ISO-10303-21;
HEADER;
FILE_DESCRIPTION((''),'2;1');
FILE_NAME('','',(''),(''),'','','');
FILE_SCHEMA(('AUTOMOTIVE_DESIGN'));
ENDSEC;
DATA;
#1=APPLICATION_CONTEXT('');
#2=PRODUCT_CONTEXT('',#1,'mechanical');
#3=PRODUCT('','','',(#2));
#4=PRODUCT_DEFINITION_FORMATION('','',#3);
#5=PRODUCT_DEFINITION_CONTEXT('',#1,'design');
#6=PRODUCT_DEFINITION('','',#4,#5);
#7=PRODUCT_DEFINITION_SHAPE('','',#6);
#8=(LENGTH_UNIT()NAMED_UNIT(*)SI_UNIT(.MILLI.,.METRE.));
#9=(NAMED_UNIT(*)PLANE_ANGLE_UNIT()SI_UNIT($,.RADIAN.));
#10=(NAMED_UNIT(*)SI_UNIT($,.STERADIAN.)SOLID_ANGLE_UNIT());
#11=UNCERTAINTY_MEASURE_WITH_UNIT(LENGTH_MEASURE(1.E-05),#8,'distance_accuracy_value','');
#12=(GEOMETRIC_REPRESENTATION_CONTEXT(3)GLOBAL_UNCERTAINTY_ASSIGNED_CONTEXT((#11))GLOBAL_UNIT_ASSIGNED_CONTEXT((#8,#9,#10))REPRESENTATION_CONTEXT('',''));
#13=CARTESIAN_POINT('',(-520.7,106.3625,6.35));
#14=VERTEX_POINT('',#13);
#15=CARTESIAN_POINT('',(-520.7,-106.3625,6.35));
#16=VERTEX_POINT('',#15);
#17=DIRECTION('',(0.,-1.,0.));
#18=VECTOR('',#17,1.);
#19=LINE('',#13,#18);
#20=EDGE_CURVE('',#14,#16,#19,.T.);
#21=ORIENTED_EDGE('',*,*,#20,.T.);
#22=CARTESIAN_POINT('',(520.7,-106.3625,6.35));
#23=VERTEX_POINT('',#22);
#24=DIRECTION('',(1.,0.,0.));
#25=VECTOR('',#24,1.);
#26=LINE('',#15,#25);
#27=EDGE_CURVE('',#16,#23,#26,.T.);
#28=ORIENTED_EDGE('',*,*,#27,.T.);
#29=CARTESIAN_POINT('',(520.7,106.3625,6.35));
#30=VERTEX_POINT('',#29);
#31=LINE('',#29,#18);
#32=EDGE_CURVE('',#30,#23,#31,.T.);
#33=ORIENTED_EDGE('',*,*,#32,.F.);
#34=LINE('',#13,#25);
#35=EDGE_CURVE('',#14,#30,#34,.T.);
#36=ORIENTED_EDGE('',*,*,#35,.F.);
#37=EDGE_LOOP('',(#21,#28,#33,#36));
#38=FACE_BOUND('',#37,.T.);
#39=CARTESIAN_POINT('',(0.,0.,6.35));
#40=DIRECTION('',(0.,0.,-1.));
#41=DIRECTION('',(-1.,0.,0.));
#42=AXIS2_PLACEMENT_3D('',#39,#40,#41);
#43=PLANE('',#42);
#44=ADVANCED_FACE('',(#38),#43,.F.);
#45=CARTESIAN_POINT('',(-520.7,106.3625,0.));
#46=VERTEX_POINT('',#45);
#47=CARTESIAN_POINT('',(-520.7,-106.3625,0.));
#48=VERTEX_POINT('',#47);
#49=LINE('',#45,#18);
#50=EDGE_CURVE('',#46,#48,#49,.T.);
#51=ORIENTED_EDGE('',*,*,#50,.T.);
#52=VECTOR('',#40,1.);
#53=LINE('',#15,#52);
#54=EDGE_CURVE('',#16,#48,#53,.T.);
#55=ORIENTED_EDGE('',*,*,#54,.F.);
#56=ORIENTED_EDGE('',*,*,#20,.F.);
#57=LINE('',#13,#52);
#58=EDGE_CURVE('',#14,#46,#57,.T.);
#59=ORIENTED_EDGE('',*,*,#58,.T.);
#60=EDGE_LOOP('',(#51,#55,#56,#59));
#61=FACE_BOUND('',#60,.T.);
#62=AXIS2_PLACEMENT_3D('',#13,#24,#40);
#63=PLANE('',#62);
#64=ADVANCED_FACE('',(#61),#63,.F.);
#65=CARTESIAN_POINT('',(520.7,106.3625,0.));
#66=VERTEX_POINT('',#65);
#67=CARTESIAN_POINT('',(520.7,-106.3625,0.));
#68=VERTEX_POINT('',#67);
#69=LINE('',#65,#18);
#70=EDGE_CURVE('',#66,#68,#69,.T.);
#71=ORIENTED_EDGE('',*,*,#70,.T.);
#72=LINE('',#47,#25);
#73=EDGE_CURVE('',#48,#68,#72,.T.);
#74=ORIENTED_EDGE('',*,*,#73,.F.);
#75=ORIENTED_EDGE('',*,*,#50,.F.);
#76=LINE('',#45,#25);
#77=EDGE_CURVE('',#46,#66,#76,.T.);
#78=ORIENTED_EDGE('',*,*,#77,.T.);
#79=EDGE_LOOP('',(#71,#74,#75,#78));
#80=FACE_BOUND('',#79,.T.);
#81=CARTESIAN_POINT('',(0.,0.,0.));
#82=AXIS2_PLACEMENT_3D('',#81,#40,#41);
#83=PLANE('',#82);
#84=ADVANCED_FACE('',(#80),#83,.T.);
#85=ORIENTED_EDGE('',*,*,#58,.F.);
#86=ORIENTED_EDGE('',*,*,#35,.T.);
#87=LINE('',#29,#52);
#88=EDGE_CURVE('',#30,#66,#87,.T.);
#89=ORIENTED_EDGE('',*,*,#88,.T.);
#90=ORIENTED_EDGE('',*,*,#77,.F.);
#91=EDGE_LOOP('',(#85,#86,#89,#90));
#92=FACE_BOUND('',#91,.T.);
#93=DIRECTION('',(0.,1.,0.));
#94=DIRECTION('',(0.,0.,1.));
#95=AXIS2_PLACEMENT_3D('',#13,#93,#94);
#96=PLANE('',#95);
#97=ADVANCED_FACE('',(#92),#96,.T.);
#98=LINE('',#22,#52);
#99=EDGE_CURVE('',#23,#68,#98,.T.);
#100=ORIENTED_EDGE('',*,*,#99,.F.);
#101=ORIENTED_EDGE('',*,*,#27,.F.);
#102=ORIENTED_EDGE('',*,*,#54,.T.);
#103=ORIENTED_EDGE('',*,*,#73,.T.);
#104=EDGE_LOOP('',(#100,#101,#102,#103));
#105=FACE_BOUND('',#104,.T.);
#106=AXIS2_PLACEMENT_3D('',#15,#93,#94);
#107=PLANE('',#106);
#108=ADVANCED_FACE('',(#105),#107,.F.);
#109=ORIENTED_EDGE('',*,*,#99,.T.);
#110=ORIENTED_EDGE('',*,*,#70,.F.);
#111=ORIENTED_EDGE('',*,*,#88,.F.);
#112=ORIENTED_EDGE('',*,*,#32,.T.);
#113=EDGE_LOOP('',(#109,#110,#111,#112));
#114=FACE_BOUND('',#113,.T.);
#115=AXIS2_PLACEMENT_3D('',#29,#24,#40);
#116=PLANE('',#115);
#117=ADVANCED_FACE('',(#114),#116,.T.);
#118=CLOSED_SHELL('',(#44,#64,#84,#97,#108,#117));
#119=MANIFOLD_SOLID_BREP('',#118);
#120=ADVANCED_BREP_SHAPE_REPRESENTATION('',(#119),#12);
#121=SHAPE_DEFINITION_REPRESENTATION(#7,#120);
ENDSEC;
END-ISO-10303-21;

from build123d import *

# Parameters (mm, degrees)
SKETCH1_W           = 1041.4
SKETCH1_H           = 212.725
BOSS_EXTRUDE1_DEPTH = 6.35


with BuildPart() as part:
    # Sketch1 → Boss-Extrude1 (new body)
    with BuildSketch(Plane.XY):
        Rectangle(SKETCH1_W, SKETCH1_H)
    extrude(amount=BOSS_EXTRUDE1_DEPTH)


solid = part.part
